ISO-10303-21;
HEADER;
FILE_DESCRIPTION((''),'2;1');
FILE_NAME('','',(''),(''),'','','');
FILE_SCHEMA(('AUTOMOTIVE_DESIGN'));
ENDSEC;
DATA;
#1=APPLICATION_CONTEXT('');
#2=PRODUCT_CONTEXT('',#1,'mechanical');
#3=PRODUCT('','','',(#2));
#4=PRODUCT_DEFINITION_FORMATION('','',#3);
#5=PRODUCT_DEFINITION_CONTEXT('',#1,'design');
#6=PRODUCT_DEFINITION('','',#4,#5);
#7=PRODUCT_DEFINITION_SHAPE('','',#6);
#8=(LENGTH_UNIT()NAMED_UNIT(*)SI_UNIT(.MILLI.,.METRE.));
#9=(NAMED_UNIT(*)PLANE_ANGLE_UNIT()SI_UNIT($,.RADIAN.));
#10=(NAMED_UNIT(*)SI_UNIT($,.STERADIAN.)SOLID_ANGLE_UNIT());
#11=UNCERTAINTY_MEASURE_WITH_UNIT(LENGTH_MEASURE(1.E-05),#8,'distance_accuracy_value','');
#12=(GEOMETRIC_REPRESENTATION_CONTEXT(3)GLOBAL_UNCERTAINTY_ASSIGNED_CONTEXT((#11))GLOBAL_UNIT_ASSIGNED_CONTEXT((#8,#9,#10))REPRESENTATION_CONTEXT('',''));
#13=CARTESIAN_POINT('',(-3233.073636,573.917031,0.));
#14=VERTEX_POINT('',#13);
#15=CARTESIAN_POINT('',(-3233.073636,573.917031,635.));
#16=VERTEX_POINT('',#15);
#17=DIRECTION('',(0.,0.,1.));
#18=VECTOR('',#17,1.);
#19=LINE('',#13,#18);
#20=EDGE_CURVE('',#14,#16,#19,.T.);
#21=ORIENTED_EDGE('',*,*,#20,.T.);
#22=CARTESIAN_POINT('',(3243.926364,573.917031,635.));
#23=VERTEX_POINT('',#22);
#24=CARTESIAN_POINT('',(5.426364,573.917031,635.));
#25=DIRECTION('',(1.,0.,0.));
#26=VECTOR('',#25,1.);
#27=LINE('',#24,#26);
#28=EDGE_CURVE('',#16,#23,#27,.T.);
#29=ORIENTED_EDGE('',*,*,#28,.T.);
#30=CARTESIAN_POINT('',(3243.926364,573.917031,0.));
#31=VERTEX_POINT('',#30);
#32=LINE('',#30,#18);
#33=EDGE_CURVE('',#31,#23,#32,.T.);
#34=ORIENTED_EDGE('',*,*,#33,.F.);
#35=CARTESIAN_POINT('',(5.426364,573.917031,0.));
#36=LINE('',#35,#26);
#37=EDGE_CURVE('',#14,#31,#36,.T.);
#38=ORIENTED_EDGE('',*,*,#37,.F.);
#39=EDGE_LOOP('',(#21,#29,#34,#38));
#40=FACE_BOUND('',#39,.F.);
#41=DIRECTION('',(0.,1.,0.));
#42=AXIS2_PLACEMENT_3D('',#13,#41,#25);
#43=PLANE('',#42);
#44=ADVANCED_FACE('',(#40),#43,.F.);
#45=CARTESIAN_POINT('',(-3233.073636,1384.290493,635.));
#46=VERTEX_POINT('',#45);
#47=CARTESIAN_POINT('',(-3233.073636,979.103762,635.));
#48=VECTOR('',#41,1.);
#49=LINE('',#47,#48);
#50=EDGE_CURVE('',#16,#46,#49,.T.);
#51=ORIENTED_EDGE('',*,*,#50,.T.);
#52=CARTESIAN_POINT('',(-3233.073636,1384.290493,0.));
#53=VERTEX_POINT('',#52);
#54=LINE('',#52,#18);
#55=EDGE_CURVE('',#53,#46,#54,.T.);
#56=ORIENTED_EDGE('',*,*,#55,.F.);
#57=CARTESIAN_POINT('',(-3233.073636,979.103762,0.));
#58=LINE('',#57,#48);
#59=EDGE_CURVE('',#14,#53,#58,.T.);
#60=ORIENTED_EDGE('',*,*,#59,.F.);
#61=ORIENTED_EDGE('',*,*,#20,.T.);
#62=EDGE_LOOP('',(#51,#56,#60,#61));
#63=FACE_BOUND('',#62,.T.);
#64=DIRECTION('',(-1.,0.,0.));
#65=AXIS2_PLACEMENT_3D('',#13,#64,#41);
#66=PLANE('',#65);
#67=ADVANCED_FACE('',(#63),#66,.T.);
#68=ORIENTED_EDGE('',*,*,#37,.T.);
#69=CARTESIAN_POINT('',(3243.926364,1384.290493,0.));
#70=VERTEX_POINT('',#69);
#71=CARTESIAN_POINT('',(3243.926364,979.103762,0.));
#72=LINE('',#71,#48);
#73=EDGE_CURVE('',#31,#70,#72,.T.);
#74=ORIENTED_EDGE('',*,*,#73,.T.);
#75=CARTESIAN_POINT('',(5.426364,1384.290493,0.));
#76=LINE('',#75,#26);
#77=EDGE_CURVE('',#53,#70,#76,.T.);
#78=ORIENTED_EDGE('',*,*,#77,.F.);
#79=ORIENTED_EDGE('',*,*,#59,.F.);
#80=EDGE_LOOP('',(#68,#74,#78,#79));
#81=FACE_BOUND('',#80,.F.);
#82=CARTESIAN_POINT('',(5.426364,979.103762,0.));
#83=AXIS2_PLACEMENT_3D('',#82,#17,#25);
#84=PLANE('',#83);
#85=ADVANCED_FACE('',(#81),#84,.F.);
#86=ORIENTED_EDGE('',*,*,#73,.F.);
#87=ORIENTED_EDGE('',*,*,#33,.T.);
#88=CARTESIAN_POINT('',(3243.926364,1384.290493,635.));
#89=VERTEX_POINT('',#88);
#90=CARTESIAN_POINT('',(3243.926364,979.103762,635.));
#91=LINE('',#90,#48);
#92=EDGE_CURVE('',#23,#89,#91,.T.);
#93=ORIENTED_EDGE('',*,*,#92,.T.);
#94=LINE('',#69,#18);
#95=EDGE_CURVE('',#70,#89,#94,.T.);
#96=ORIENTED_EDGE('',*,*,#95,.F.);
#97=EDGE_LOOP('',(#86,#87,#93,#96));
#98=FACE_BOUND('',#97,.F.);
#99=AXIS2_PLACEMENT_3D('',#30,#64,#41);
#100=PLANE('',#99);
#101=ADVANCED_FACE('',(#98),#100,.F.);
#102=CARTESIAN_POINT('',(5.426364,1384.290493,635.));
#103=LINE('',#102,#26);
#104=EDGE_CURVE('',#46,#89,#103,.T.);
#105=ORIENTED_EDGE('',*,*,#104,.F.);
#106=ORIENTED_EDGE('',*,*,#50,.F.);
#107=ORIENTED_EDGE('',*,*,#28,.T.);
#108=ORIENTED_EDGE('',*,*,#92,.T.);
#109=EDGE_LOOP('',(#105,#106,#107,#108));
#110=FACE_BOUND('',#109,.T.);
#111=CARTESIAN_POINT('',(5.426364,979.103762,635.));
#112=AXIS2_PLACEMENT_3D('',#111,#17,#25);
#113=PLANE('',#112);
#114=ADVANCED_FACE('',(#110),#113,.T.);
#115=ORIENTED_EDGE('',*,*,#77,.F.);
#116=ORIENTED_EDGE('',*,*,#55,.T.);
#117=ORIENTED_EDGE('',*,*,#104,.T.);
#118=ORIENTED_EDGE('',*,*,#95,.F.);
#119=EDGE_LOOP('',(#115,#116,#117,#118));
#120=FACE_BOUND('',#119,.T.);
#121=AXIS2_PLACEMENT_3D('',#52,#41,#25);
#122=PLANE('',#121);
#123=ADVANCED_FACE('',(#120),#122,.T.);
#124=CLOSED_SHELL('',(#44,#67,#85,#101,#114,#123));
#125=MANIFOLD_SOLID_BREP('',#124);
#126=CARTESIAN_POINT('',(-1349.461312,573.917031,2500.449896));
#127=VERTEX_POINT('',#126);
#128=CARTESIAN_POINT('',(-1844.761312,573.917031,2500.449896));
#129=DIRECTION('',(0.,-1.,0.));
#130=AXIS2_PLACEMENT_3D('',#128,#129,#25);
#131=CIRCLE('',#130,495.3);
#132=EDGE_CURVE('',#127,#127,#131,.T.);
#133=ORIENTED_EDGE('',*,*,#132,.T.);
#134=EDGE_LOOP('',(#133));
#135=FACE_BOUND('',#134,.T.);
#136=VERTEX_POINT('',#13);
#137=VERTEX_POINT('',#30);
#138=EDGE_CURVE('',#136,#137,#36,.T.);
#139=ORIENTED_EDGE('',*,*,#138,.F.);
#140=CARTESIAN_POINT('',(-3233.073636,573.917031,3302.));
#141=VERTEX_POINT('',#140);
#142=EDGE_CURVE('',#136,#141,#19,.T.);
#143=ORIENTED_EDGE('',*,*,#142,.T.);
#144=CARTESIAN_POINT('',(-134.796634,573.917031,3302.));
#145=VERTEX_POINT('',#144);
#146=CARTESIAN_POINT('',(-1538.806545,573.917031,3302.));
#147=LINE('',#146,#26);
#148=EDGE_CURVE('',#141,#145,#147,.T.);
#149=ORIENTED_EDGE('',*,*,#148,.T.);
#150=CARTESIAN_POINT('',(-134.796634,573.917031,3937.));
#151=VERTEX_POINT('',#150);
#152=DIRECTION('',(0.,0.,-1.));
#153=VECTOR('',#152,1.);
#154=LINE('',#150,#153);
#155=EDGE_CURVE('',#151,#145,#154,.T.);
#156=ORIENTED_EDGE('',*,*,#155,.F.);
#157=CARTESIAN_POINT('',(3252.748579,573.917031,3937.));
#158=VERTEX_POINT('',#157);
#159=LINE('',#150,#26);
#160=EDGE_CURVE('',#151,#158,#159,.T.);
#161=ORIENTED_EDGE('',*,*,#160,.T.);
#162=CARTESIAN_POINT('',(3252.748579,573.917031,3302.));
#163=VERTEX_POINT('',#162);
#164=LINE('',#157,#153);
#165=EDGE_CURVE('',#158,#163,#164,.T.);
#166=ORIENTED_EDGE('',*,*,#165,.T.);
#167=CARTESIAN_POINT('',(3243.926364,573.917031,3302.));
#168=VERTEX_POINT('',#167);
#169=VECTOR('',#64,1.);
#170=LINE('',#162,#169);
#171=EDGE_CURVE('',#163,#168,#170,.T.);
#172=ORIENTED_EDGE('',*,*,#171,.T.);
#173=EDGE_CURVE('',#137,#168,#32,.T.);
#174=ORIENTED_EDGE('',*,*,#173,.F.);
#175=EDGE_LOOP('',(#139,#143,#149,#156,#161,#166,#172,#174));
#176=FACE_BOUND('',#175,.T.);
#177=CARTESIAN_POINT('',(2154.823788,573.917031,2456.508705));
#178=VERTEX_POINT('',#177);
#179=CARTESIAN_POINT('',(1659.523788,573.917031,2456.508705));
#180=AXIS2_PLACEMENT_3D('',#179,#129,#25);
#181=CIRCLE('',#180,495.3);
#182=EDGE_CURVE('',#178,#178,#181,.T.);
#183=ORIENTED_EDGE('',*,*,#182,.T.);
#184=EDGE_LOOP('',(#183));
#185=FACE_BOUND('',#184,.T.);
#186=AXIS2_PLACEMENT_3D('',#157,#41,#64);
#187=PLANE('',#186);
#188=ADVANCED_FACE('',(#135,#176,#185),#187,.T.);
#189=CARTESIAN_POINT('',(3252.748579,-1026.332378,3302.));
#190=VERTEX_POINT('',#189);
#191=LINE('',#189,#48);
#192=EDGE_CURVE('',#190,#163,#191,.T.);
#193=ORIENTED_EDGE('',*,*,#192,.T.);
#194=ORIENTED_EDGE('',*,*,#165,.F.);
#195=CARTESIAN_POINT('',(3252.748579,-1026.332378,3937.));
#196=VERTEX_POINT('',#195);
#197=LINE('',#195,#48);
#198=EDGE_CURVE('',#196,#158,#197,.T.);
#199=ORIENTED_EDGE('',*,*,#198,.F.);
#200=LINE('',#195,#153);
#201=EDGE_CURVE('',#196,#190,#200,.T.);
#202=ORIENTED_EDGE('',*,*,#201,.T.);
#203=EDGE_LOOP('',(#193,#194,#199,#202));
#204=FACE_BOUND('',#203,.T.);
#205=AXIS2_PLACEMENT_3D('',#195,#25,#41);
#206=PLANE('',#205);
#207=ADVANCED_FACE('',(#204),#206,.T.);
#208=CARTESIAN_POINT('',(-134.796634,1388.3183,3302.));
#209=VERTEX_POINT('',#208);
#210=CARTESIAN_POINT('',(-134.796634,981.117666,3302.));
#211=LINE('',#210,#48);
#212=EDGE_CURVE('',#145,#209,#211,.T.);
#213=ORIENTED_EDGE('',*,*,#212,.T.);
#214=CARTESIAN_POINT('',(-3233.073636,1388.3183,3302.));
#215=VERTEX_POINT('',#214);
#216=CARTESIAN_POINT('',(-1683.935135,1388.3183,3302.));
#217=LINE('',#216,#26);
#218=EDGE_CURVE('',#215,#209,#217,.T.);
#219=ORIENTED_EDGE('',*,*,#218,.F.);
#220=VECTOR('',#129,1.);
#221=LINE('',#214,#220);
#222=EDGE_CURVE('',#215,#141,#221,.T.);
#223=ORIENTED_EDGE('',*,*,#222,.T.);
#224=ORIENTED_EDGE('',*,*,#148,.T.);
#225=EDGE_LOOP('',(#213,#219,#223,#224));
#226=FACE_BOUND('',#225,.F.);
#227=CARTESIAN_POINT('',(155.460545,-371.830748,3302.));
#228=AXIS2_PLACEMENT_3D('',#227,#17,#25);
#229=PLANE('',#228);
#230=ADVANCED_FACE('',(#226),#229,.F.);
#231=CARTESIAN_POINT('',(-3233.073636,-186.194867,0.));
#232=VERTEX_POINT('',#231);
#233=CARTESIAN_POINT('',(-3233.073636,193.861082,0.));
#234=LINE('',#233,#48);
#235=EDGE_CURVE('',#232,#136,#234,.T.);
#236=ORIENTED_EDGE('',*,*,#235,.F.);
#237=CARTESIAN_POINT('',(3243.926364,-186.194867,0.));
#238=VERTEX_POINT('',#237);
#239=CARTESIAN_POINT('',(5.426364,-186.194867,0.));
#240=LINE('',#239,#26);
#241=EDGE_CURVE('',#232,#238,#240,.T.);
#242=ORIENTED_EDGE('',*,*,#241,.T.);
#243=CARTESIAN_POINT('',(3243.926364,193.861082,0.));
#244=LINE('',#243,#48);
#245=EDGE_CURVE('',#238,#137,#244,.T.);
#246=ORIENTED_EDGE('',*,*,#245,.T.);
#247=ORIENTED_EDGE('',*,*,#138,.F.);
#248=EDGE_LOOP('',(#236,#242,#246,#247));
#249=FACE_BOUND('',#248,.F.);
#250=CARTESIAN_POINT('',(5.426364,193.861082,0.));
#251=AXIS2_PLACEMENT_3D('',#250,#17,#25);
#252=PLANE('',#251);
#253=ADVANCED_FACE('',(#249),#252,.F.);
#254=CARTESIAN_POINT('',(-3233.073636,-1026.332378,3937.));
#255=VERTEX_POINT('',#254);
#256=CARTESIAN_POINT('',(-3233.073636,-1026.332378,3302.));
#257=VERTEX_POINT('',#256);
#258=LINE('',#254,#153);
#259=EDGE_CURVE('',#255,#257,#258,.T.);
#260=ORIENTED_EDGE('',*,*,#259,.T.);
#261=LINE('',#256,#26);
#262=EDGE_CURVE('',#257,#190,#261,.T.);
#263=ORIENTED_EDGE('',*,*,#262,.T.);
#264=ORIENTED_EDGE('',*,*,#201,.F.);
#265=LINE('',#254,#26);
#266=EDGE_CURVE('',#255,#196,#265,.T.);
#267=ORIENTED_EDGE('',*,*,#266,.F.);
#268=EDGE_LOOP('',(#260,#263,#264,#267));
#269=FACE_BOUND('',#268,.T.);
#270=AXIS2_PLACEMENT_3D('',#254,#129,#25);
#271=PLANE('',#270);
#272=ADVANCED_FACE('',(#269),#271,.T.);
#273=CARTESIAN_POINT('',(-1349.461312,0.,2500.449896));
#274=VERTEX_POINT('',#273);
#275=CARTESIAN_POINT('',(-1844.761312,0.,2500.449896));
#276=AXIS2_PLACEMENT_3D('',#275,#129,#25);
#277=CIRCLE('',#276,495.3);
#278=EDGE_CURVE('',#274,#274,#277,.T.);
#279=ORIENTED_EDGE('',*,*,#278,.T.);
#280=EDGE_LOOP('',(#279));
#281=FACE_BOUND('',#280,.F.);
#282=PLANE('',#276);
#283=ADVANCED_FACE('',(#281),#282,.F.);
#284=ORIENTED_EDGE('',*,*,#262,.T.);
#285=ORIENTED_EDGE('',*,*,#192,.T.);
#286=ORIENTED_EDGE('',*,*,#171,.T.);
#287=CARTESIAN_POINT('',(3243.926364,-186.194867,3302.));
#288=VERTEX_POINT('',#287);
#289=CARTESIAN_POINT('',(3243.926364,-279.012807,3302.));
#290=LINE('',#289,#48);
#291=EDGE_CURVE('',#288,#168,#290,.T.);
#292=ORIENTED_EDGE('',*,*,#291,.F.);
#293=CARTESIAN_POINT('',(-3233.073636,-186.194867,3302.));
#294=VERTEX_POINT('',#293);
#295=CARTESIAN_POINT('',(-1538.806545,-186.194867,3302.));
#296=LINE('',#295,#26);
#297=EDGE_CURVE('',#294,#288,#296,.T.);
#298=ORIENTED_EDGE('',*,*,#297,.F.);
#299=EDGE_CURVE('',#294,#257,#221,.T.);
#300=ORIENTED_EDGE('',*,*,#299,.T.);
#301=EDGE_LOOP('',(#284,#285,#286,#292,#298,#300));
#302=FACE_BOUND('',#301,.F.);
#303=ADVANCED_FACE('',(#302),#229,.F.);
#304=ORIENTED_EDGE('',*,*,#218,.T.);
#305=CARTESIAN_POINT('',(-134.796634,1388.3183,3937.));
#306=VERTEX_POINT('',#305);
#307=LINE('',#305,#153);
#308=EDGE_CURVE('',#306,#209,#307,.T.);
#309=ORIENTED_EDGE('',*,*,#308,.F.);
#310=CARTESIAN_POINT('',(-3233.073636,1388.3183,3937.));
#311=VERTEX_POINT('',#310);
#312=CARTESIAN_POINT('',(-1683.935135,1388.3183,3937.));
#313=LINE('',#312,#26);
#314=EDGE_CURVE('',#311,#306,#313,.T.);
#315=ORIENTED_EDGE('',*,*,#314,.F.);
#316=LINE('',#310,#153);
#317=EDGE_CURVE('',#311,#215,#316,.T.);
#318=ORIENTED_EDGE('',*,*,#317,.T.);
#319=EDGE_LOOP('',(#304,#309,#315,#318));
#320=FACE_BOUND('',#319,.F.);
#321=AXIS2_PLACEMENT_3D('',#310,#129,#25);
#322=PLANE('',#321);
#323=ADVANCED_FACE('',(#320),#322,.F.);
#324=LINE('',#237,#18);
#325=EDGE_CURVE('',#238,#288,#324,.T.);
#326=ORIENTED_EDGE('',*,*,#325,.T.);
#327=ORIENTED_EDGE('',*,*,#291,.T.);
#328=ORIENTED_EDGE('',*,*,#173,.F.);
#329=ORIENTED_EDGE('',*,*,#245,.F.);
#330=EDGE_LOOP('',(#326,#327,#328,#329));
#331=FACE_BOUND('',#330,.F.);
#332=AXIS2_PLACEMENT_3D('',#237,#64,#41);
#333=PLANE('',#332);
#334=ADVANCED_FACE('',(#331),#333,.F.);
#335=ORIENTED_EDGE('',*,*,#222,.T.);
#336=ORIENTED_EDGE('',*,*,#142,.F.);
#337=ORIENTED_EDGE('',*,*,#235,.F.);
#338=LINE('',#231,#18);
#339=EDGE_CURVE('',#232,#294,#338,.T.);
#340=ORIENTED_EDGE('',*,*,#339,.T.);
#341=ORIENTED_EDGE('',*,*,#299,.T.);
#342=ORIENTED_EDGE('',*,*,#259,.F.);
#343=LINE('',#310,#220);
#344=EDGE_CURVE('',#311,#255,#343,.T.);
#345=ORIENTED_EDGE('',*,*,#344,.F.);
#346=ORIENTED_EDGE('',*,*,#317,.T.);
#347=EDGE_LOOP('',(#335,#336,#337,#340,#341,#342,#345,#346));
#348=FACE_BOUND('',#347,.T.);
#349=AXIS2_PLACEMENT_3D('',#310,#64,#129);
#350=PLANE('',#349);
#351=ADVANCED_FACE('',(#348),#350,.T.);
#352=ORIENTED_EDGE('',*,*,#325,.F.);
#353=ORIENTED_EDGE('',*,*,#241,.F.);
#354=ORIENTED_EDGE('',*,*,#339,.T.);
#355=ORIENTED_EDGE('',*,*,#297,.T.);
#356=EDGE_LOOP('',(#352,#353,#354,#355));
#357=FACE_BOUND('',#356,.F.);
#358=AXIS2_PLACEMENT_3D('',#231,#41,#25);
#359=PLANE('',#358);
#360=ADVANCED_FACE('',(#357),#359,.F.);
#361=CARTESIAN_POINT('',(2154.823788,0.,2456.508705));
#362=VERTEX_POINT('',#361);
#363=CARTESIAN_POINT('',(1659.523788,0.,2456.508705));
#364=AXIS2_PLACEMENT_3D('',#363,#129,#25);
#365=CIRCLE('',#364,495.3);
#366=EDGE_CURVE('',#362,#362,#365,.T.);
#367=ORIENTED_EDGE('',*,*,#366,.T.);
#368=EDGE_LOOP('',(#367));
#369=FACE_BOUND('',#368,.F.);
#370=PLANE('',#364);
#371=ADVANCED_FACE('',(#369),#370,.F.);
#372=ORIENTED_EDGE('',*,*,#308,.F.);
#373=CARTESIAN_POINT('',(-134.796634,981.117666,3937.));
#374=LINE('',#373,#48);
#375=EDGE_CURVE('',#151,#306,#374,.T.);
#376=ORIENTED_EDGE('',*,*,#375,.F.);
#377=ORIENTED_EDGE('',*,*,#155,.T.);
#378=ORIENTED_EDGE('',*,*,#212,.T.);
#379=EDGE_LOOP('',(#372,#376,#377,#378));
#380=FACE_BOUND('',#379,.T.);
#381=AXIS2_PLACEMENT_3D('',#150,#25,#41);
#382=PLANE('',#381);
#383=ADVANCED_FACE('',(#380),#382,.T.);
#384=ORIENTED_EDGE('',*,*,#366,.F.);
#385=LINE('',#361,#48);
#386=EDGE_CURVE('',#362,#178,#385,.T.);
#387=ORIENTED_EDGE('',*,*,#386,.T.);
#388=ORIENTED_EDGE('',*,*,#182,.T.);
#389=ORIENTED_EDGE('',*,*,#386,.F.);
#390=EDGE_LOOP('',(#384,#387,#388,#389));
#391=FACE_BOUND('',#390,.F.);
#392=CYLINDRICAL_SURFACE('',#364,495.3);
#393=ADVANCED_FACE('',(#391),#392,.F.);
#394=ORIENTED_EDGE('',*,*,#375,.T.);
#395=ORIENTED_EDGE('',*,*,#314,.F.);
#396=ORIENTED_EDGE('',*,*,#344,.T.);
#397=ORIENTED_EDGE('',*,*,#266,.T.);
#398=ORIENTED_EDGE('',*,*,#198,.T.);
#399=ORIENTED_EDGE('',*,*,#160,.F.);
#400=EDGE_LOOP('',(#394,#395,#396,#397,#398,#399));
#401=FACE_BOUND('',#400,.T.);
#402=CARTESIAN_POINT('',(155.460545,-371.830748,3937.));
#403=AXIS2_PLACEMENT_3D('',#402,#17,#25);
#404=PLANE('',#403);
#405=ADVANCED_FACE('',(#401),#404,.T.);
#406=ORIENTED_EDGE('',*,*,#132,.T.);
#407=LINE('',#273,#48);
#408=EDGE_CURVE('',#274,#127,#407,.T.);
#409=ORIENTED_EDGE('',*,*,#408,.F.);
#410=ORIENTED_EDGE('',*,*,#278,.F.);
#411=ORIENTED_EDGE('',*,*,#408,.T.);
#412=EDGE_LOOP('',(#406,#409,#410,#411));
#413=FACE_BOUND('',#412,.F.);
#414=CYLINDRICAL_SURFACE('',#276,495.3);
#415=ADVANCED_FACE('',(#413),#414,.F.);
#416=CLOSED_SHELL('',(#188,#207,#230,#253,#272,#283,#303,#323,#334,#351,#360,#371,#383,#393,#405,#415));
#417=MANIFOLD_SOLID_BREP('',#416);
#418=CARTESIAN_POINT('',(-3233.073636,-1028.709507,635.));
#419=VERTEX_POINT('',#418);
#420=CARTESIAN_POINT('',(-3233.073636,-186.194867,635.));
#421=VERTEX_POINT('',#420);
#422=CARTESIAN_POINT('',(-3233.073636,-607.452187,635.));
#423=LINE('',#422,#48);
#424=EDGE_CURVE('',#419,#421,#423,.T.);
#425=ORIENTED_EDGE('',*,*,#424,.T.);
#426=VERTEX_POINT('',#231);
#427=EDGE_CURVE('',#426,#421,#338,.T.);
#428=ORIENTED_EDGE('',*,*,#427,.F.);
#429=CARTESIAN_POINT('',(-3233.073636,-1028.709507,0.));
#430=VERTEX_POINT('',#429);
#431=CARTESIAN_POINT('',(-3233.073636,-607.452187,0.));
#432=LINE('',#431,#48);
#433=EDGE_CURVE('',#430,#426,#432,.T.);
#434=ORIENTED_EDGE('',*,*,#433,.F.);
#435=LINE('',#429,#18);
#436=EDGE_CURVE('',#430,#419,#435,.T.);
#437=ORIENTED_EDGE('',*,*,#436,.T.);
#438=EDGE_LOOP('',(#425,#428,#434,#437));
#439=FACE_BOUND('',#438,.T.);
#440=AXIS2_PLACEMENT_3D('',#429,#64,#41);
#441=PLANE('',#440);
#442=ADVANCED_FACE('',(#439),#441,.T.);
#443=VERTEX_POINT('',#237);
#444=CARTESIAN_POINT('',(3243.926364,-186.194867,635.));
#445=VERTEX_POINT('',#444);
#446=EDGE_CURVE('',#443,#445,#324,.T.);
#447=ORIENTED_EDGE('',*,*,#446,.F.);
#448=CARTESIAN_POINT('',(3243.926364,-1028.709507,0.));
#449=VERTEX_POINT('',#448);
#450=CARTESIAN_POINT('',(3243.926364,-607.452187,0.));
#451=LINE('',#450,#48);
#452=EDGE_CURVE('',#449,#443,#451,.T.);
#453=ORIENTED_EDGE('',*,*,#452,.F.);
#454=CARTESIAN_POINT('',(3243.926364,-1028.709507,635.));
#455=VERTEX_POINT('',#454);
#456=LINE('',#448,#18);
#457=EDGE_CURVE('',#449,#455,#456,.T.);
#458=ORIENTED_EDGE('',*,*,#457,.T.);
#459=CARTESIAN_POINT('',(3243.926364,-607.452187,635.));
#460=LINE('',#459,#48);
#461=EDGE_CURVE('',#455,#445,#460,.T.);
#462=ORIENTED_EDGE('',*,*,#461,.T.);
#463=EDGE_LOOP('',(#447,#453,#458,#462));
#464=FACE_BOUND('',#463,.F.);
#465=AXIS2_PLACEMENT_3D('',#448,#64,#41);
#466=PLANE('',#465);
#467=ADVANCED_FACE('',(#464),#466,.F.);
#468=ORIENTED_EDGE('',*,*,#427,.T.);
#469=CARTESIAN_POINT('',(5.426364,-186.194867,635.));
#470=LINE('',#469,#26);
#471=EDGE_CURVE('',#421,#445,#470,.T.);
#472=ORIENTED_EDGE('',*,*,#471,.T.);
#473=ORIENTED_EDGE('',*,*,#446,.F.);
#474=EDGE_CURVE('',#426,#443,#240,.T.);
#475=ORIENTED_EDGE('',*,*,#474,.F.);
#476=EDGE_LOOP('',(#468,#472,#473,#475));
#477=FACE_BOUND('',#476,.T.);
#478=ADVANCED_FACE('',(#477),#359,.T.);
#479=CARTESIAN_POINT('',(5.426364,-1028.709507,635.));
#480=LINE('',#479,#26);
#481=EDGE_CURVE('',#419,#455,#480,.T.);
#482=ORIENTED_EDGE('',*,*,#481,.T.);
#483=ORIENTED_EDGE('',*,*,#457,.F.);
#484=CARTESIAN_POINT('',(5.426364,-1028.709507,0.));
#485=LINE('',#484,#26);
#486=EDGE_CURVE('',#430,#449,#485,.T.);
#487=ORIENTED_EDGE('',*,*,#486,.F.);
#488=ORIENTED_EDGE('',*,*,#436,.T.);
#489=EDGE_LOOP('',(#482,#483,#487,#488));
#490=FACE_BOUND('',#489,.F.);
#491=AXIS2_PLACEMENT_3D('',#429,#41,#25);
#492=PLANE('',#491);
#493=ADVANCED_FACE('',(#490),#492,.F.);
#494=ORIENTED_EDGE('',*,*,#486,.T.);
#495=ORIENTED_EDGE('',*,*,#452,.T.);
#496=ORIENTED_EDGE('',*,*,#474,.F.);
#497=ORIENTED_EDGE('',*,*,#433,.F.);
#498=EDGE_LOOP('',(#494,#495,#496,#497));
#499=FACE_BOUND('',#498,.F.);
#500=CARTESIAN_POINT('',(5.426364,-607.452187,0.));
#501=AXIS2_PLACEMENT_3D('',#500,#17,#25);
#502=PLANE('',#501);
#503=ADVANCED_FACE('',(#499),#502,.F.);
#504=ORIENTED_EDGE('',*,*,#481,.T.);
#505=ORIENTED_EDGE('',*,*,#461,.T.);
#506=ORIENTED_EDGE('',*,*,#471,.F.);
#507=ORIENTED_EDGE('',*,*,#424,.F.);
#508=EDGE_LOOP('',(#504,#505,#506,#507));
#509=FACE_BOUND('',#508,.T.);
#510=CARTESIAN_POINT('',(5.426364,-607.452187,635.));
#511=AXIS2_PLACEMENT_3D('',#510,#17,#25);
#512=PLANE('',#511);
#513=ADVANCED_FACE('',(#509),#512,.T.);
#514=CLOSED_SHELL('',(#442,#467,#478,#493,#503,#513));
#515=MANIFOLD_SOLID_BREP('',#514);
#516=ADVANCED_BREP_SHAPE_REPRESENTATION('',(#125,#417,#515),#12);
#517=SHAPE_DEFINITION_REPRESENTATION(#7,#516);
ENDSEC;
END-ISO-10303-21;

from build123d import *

# Parameters (mm, degrees)
F0_W     = 6477
F0_H     = 810.3734621661
F1_DEPTH = 635
F0_H_2   = 842.5146396501
F0_H_3   = 760.1118981838
F2_DEPTH = 3937
F4_D     = 990.6
F4_DEPTH = 573.9180312881
F5_W     = 3098.277001664
F5_H     = 760.1118981838
F5_H_2   = 814.401268959
F6_DEPTH = 635


with BuildPart() as f1:
    # F0 (on Top) → F1 (new body)
    with BuildSketch(Plane.XY):
        with Locations((5.4263640195, 979.1037623712)):
            Rectangle(F0_W, F0_H)
    extrude(amount=F1_DEPTH)


with BuildPart() as f1b:
    # F0 (on Top) → F1, piece 2 (new body)
    with BuildSketch(Plane.XY):
        with Locations((5.4263640195, -607.4521867207)):
            Rectangle(F0_W, F0_H_2)
    extrude(amount=F1_DEPTH)


with BuildPart() as f2:
    # F0 (on Top) → F2 (new body)
    with BuildSketch(Plane.XY):
        with Locations((5.4263640195, 193.8610821962)):
            Rectangle(F0_W, F0_H_3)
    extrude(amount=F2_DEPTH)

    # F4 (through all, one way)
    with BuildSketch(Plane.XZ):
        with Locations((-1844.7613119429, 2500.4498958588), (1659.5237880488, 2456.5087053924)):
            Circle(F4_D / 2)
    extrude(amount=-F4_DEPTH, mode=Mode.SUBTRACT)

    # F5 (on face) → F6 (join)
    with BuildSketch(Plane.XY.offset(3937)):
        Polygon((3252.7485787868, -1026.3323783875), (3252.7485787868, 573.9170312881), (-134.7966343164, 573.9170312881), (-134.7966343164, -186.1948668957), (-3233.0736359805, -186.1948668957), (-3233.0736359805, -1026.3323783875), align=None)
        with Locations((-1683.9351351485, 193.8610821962)):
            Rectangle(F5_W, F5_H)
        with Locations((-1683.9351351485, 981.1176657677)):
            Rectangle(F5_W, F5_H_2)
    extrude(amount=-F6_DEPTH)


solid = Compound([f1.part, f1b.part, f2.part])
